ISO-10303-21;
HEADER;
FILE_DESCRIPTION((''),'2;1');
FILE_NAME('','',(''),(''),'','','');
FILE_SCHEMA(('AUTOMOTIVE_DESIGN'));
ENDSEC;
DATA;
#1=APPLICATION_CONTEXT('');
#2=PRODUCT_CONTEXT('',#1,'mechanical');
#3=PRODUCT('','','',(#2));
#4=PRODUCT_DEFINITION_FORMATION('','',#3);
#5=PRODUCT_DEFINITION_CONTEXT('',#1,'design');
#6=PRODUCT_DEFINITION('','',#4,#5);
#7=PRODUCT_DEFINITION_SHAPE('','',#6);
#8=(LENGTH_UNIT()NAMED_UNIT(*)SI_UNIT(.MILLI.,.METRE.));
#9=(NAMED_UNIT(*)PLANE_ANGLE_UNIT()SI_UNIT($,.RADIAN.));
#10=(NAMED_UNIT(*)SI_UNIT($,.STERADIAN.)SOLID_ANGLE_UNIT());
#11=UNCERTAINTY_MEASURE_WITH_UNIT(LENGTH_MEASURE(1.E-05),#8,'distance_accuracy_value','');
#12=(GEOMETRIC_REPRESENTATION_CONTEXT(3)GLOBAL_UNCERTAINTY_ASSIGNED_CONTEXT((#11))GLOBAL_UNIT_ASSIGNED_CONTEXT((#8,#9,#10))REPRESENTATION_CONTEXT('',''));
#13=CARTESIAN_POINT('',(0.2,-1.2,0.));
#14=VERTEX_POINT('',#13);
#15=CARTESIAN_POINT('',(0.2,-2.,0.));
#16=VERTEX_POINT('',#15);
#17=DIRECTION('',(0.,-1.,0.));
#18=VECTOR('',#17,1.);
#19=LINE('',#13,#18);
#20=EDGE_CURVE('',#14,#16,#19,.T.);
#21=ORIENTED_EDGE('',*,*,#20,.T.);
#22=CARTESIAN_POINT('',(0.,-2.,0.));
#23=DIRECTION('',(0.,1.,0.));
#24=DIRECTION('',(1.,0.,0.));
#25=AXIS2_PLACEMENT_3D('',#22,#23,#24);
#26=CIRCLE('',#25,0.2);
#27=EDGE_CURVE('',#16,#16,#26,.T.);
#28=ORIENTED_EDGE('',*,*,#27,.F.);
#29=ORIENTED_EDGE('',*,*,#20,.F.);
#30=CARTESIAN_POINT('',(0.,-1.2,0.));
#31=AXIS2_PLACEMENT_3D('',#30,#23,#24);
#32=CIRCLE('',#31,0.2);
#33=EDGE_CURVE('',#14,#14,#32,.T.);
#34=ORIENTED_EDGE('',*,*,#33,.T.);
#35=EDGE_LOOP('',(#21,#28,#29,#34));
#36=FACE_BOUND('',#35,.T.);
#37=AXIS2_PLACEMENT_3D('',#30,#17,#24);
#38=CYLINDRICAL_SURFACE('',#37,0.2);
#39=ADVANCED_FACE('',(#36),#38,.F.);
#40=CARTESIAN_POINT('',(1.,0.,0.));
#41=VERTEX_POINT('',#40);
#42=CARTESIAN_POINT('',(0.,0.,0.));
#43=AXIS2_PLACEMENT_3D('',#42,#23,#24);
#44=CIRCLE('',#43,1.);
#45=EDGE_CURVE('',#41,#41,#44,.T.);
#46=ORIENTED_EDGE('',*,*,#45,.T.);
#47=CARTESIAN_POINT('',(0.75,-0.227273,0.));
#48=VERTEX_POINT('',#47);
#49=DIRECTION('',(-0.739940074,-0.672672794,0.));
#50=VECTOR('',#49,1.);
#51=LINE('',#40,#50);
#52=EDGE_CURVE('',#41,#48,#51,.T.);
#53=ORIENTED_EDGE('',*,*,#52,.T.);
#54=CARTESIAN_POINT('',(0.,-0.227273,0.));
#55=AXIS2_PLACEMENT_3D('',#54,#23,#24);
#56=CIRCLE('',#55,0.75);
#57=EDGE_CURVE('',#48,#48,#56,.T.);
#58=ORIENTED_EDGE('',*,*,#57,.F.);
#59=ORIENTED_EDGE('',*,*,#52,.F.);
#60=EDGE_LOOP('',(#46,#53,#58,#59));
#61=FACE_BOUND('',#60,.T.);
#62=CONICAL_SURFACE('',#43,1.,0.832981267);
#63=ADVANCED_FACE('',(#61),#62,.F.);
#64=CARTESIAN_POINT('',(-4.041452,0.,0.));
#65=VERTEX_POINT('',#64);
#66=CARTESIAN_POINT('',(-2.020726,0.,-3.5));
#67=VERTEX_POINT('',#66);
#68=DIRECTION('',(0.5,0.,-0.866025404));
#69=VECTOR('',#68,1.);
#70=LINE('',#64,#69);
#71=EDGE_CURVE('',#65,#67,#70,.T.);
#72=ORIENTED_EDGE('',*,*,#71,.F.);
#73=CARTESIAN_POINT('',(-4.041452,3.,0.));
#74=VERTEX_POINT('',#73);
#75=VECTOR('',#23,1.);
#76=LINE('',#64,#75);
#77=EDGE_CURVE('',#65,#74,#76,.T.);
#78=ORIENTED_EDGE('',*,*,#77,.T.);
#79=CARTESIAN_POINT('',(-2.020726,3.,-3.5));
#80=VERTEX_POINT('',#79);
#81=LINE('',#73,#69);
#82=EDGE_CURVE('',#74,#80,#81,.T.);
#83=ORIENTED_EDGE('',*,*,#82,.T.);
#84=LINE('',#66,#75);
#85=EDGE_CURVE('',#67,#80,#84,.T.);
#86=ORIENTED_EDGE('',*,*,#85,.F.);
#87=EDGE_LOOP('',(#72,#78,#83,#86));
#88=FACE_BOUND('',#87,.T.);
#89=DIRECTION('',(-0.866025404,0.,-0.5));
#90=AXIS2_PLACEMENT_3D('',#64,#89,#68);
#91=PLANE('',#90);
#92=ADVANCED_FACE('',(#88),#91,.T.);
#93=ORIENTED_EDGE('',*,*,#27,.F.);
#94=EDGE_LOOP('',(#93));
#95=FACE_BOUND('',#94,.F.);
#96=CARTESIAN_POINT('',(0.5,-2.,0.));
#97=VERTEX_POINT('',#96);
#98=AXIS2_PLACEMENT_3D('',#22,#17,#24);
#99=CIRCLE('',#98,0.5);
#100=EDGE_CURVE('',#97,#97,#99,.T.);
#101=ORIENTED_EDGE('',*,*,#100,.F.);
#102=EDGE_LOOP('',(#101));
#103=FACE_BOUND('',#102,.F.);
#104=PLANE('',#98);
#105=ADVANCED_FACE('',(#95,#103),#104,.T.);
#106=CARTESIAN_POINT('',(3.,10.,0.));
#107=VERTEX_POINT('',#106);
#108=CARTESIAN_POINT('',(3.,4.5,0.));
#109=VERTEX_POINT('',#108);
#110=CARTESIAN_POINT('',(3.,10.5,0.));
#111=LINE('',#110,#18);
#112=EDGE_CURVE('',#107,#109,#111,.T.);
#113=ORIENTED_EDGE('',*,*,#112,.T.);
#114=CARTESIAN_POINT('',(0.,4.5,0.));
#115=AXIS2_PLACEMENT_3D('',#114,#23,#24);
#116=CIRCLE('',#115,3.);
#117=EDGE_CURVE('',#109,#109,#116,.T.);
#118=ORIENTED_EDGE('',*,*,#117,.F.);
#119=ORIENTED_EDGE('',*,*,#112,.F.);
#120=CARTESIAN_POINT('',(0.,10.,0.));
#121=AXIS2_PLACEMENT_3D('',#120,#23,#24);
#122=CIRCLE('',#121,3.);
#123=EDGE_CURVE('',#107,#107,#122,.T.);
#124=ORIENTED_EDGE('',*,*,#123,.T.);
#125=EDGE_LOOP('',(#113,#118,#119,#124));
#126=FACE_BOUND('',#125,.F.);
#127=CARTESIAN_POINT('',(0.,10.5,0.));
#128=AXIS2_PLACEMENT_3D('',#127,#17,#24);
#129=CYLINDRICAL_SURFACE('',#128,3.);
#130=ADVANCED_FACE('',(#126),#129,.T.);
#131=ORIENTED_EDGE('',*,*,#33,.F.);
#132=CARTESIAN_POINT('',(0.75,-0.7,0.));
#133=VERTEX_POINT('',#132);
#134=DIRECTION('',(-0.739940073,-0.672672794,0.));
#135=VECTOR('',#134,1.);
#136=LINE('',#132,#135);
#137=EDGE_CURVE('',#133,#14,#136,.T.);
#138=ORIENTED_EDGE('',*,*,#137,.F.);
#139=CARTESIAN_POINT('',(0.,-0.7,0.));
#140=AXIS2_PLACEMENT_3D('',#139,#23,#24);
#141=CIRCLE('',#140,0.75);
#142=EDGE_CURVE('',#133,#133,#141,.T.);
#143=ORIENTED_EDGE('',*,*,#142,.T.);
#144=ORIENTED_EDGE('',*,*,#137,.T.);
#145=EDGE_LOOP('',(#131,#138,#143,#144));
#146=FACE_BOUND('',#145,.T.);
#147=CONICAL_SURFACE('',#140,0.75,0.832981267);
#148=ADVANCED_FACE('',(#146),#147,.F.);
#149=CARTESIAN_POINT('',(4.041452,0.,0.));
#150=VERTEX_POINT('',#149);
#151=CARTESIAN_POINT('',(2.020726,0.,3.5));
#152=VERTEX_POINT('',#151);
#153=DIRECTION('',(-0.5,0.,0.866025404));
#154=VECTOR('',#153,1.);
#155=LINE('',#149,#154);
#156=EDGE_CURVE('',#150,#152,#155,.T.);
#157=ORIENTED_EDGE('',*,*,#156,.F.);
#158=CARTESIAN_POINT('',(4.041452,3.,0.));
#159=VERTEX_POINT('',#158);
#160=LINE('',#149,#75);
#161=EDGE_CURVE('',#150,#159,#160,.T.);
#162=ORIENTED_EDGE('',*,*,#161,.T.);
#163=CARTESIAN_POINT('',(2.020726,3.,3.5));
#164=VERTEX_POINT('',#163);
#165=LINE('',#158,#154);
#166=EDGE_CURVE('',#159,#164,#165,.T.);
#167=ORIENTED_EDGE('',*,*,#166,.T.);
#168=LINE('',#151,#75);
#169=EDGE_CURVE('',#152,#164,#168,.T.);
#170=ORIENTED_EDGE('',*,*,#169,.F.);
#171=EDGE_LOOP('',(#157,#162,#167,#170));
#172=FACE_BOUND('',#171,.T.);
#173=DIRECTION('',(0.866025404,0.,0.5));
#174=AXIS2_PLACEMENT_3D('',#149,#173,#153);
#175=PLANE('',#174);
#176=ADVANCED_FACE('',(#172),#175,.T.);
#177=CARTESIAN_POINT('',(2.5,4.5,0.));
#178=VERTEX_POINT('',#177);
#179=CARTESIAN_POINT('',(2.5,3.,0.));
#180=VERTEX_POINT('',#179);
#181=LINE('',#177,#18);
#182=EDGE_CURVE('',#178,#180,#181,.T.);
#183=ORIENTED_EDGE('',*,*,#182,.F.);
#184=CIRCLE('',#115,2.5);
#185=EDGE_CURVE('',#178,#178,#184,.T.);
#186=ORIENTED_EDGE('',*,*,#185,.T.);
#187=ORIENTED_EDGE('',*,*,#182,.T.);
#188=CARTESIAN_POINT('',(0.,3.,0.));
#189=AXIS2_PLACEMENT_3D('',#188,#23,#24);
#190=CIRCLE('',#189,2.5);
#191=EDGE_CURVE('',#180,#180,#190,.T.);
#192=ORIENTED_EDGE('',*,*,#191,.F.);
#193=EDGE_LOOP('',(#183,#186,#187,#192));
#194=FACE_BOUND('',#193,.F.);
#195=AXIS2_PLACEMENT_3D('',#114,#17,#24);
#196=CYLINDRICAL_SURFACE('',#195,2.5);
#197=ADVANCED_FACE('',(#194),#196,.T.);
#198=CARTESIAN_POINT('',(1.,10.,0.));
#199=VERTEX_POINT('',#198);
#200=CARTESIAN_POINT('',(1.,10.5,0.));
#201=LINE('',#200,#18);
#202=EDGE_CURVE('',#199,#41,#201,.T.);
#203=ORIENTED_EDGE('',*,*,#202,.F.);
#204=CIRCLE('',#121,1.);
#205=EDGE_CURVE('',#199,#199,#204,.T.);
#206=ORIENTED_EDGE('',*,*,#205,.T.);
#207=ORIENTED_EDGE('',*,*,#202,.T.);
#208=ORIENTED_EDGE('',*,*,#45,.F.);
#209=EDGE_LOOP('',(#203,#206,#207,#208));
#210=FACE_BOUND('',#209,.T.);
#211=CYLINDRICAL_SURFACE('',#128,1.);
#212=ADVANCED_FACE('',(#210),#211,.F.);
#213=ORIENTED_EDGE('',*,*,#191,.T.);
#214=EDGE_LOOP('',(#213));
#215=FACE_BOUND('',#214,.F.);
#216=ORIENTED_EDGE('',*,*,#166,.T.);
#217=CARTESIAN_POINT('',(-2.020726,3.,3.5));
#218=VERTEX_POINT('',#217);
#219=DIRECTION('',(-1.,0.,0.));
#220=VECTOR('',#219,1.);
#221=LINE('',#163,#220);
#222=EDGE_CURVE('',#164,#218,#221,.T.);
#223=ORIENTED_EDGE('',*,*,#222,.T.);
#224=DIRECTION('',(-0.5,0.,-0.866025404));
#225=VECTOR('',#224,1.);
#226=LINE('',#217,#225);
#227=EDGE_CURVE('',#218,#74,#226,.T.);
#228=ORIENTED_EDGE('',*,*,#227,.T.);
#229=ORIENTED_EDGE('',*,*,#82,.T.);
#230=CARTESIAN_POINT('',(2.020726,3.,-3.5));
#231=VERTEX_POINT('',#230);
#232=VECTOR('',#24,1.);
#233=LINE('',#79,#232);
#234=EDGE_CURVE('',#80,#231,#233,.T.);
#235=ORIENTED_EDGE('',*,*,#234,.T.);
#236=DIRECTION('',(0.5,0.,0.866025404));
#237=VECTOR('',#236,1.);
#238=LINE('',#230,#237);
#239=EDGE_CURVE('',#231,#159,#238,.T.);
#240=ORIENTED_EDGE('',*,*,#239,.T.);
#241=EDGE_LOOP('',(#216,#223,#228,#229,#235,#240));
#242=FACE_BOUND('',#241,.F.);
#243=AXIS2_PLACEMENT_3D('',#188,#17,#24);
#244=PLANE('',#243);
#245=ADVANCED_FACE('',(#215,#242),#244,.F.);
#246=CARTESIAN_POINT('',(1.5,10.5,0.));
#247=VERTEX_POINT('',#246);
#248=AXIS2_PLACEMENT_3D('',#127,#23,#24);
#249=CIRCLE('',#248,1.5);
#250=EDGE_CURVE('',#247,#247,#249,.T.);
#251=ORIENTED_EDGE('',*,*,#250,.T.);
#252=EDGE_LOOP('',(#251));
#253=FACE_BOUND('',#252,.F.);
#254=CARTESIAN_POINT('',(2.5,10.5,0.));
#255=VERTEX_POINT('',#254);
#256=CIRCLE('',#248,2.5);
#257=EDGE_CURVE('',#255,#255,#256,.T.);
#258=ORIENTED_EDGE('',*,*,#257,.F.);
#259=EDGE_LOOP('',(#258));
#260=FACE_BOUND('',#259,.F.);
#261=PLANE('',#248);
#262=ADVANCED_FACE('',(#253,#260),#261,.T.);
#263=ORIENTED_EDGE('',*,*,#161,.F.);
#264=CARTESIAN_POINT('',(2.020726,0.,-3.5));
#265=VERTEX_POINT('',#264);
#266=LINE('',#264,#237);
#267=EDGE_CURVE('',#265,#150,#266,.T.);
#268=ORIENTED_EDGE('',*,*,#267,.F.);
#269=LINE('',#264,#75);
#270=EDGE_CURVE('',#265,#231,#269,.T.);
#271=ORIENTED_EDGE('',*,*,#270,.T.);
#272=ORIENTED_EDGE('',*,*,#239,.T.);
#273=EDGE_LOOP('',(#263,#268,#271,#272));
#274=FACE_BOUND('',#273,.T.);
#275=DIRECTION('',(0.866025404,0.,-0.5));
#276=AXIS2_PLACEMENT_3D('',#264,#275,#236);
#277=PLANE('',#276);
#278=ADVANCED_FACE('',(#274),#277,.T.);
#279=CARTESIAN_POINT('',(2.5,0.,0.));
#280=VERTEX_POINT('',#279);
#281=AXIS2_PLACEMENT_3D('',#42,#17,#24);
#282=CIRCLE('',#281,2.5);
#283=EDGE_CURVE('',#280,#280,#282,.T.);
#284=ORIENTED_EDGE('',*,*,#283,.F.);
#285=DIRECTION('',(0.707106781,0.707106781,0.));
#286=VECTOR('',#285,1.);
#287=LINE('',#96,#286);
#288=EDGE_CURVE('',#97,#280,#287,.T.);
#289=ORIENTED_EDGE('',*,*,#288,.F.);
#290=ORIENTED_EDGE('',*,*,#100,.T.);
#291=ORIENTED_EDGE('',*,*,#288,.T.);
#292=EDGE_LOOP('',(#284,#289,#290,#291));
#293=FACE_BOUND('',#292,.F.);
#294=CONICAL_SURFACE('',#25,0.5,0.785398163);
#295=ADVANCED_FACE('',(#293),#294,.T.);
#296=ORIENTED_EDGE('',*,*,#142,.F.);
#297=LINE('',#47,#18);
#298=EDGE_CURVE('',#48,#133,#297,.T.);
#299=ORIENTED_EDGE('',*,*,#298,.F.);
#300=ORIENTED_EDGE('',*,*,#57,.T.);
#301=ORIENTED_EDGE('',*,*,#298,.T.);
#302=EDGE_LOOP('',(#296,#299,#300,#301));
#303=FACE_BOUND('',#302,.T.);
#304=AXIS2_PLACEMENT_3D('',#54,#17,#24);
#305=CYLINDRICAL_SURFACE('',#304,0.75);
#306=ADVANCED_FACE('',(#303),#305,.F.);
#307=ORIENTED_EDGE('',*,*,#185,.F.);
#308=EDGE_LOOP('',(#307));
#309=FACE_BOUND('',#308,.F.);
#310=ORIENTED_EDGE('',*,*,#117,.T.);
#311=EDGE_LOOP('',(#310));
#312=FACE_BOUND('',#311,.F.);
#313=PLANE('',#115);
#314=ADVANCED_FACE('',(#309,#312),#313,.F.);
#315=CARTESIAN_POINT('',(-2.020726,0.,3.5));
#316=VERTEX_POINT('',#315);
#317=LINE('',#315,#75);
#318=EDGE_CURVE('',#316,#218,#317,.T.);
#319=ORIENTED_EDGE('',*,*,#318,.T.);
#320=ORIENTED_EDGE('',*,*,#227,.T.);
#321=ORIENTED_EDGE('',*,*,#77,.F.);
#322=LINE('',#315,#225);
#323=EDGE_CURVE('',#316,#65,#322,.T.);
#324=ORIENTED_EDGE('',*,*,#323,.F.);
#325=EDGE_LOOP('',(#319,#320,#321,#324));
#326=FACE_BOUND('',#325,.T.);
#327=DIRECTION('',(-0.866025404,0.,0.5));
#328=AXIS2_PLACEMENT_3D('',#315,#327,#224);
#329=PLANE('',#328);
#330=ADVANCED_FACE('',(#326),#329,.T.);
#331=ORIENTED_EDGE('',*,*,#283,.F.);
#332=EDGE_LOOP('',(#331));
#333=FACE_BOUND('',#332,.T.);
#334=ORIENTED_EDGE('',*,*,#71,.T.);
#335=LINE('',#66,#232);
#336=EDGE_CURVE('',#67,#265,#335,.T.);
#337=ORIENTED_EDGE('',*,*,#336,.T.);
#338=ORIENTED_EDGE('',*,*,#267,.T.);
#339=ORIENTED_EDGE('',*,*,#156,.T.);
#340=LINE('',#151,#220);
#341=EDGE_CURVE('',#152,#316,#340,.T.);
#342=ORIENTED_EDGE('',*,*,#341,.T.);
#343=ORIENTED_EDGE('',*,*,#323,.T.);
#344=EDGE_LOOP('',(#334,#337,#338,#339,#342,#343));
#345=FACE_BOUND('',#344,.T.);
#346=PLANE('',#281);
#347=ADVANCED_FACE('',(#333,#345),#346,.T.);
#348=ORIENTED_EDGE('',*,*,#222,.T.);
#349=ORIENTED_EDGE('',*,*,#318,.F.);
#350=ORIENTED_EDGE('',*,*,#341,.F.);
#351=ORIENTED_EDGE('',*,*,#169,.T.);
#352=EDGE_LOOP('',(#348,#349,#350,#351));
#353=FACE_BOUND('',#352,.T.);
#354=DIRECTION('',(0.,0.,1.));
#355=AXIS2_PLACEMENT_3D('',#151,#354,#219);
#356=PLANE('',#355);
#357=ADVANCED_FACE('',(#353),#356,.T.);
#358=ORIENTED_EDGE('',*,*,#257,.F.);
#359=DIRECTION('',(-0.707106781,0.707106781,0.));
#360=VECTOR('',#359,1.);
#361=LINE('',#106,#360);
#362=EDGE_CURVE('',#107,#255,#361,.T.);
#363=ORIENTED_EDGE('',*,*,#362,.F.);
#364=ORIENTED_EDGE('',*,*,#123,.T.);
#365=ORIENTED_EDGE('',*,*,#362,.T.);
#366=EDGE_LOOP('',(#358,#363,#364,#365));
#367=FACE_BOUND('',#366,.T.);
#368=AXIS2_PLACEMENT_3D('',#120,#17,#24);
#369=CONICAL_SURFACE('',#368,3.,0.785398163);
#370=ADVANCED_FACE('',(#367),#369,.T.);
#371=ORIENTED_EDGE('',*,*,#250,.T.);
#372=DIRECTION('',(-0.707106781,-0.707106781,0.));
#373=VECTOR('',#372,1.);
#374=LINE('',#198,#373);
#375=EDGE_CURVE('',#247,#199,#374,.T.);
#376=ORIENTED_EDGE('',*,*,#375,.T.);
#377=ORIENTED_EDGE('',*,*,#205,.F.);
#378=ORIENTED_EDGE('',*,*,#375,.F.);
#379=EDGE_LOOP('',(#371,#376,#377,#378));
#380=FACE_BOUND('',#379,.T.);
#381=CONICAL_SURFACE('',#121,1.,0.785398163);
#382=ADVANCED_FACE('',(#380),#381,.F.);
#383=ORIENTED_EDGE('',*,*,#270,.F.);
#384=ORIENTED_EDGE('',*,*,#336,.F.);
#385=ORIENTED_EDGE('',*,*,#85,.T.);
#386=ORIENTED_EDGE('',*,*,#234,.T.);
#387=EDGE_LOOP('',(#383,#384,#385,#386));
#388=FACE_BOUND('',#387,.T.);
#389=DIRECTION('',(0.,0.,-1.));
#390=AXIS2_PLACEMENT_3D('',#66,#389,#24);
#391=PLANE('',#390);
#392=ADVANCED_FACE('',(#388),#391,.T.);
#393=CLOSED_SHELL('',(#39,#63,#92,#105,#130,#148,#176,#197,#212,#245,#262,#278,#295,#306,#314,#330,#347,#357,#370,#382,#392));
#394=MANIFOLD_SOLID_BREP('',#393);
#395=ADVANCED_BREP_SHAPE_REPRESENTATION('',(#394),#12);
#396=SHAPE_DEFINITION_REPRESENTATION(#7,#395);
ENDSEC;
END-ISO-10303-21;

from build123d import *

# Parameters (mm, degrees)
BOSS_EXTRUDE1_DEPTH = 3
CHAMFER1_SIZE       = 0.5


with BuildPart() as part:
    # Sketch1 → Boss-Extrude1 (new body)
    with BuildSketch(Plane.XZ):
        Polygon((2.020725942, -3.5), (4.041451884, 0), (2.020725942, 3.5), (-2.020725942, 3.5), (-4.041451884, 0), (-2.020725942, -3.5), align=None)
    extrude(amount=-BOSS_EXTRUDE1_DEPTH)

    # Sketch2 → Revolve1 (revolve)
    with BuildSketch(Plane(origin=(0, 0, 0), x_dir=(-1, 0, 0), z_dir=(0, 0, -1))):
        Polygon((-2.5, 3), (0, 3), (0, 10.5), (-3, 10.5), (-3, 4.5), (-2.5, 4.5), align=None)
    revolve(axis=Axis((0, 3, 0), (0, 1, 0)))

    # Sketch3 → Revolve2 (revolve)
    with BuildSketch(Plane.XY):
        Polygon((2.5, 0), (0, 0), (0, -2), (0.5, -2), align=None)
    revolve(axis=Axis((0, 0, 0), (0, -1, 0)))

    # Sketch4 → Cut-Revolve1 (revolve, cut)
    with BuildSketch(Plane(origin=(0, 0, 0), x_dir=(-1, 0, 0), z_dir=(0, 0, -1))):
        Polygon((-0.2, -2), (0, -2), (0, 10.5), (-1, 10.5), (-1, 0), (-0.75, -0.227272727), (-0.75, -0.7), (-0.2, -1.2), align=None)
    revolve(axis=Axis((0, -2, 0), (0, 1, 0)), mode=Mode.SUBTRACT)

    # Chamfer1
    chamfer1_edges = [part.edges().sort_by_distance(p)[0] for p in [
        (-3, 10.5, 0),
        (-1, 10.5, 0),
    ]]
    chamfer(chamfer1_edges, length=CHAMFER1_SIZE)


solid = part.part
